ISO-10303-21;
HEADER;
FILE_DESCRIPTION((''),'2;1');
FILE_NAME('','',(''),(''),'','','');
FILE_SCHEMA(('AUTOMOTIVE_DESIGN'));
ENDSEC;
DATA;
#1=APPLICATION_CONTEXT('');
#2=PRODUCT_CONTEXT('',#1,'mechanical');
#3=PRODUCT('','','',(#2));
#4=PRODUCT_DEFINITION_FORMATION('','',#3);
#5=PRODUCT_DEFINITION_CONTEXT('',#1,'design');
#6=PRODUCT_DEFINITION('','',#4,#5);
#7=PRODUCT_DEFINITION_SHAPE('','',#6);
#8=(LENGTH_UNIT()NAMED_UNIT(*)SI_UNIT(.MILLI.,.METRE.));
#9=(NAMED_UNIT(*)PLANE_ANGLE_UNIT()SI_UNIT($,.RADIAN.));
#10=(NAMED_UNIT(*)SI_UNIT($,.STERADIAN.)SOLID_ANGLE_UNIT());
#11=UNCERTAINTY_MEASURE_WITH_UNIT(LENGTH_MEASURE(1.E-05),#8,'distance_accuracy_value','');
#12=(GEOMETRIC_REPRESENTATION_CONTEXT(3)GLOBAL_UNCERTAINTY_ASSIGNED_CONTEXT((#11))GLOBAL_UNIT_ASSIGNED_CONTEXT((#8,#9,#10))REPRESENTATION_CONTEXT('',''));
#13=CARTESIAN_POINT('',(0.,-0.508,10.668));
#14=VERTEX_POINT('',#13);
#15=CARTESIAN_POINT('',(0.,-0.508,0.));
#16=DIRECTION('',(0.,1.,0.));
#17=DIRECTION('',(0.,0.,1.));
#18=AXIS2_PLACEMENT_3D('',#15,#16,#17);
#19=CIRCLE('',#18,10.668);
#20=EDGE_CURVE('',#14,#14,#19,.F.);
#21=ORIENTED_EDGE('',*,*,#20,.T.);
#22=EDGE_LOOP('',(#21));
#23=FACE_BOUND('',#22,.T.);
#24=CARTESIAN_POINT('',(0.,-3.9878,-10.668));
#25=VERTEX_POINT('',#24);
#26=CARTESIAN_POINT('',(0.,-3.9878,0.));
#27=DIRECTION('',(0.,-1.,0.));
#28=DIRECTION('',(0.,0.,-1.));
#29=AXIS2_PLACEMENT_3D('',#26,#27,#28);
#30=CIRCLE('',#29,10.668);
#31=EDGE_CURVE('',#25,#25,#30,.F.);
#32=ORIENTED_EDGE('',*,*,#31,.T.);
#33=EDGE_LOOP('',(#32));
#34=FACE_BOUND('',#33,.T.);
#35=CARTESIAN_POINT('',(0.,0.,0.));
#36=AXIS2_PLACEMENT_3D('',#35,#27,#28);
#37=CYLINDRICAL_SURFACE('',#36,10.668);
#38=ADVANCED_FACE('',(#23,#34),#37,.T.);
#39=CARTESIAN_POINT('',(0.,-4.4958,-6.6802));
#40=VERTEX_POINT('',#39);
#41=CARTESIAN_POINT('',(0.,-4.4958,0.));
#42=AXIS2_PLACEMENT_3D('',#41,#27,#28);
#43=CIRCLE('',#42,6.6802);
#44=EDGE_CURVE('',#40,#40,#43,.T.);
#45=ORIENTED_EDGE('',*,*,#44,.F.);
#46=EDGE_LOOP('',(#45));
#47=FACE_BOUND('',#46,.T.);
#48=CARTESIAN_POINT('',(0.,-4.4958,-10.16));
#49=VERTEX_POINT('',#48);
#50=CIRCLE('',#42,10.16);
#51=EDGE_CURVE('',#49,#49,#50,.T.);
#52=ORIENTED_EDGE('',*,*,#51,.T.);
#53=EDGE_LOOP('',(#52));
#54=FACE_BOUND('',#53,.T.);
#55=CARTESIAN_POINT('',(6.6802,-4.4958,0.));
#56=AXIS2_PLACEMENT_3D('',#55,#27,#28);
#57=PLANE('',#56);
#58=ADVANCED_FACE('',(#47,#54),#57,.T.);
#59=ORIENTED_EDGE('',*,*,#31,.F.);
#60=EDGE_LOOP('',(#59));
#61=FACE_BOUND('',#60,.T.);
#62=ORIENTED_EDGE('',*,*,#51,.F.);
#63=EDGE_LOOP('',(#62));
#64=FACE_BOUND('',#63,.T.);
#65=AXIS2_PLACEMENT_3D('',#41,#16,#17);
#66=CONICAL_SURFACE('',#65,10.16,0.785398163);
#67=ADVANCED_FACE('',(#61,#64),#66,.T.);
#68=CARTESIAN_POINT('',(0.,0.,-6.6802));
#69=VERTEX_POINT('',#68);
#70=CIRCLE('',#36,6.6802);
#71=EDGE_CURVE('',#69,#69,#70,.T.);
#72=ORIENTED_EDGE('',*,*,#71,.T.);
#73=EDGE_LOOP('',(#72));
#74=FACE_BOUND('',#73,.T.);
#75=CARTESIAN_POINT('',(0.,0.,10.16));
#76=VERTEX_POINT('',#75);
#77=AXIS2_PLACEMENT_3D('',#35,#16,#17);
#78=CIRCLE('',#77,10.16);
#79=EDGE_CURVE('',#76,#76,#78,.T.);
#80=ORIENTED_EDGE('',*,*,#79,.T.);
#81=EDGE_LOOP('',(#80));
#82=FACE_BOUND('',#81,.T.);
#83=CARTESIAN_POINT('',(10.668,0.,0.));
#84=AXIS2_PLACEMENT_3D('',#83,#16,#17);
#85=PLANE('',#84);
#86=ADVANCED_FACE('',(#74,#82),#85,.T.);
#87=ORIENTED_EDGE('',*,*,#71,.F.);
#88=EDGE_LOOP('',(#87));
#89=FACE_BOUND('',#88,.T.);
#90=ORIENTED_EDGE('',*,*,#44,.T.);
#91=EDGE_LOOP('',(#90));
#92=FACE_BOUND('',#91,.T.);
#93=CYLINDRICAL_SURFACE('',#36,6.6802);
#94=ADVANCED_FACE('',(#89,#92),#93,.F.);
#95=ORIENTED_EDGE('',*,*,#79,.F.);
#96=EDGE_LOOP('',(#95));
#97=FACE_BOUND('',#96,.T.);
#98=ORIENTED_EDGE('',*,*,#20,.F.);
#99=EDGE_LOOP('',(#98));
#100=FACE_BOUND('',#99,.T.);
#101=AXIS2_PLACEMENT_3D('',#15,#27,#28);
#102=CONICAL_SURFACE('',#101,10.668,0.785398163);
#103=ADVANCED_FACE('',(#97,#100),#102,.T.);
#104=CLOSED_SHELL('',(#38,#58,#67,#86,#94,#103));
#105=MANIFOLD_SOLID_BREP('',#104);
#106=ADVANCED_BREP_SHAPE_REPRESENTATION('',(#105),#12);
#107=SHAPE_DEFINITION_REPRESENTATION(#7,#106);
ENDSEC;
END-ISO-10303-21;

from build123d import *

# Parameters (mm, degrees)
SKETCH1_W     = 3.9878
SKETCH1_H     = 4.4958
CHAMFER1_SIZE = 0.508


with BuildPart() as part:
    # Sketch1 → Revolve1 (revolve)
    with BuildSketch(Plane.XY):
        with Locations((8.6741, -2.2479)):
            Rectangle(SKETCH1_W, SKETCH1_H)
    revolve(axis=Axis((0, 0, 0), (0, -1, 0)))

    # Chamfer1
    chamfer1_edges = [part.edges().sort_by_distance(p)[0] for p in [
        (-10.668, -4.4958, 0),
        (-10.668, 0, 0),
    ]]
    chamfer(chamfer1_edges, length=CHAMFER1_SIZE)


solid = part.part
